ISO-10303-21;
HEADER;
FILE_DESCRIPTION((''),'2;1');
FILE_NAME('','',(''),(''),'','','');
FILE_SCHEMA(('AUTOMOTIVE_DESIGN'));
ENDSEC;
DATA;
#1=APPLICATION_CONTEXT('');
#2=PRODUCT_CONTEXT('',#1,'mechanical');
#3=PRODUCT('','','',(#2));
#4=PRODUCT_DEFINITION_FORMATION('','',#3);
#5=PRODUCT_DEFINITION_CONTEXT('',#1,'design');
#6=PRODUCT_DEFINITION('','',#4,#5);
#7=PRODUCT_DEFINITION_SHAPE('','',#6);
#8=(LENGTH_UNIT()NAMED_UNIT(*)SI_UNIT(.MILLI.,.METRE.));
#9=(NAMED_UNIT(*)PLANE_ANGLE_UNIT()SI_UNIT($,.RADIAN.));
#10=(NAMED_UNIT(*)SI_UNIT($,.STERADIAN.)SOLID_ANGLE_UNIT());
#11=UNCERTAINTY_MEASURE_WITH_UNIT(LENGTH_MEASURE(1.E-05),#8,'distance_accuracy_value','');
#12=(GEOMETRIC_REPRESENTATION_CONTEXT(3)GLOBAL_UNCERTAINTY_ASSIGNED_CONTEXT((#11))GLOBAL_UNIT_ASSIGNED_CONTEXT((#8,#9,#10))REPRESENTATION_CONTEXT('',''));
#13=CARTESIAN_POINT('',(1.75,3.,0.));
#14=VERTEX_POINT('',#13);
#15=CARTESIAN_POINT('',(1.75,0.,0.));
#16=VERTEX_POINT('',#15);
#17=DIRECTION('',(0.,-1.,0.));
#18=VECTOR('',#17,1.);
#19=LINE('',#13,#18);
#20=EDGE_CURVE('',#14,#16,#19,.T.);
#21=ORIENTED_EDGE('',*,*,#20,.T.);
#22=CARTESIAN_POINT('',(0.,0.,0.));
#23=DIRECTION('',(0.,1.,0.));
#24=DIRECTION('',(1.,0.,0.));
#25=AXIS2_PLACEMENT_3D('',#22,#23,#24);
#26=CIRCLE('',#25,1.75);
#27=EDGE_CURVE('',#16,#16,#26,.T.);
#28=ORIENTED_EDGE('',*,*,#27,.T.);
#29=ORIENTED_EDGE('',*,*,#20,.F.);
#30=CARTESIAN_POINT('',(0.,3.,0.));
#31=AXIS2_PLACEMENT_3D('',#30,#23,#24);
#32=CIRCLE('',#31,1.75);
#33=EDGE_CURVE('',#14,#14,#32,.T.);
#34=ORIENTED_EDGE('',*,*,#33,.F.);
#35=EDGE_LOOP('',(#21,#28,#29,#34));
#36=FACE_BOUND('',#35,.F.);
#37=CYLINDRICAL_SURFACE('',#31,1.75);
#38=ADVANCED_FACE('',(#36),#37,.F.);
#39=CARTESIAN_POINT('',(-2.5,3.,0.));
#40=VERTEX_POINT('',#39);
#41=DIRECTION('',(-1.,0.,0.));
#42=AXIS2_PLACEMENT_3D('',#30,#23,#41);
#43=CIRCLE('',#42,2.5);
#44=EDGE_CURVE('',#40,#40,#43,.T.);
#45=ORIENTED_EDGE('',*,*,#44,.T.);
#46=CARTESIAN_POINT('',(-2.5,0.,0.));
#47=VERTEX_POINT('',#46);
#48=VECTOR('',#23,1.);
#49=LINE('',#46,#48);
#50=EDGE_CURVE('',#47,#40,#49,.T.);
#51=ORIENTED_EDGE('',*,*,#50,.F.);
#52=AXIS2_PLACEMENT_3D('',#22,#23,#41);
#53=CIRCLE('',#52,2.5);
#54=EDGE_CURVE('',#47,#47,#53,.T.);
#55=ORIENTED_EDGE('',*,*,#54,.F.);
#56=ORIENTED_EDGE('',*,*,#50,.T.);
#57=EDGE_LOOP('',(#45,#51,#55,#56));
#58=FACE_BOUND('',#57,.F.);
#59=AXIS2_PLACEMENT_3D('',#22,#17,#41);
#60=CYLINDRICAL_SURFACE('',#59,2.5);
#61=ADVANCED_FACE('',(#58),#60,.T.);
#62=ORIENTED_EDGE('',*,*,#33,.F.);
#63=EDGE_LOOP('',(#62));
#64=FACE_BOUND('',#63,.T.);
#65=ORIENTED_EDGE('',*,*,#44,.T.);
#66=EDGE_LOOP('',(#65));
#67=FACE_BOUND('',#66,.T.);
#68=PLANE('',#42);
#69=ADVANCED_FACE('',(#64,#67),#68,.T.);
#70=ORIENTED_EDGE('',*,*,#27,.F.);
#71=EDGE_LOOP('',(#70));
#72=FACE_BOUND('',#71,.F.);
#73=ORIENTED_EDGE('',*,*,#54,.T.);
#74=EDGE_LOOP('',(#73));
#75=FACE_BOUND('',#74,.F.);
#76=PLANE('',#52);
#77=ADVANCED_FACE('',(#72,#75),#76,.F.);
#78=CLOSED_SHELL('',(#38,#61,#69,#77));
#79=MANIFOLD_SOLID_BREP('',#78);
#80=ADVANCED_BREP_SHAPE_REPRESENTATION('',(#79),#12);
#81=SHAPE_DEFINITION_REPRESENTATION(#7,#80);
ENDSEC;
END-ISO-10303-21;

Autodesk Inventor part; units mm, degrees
ref_plane "YZ Plane" through (0, 0, 0) normal (1, 0, 0) x (0, 1, 0)
ref_plane "XZ Plane" through (0, 0, 0) normal (0, 1, 0) x (-1, 0, 0)
ref_plane "XY Plane" through (0, 0, 0) normal (0, 0, 1) x (1, 0, 0)
sketch "Sketch2" plane through (0, 0, 0) normal (0, 1, 0) x (-1, 0, 0)
  circle A0 centre (0, 0) radius 2.5
  dimension "d0" = 5
extrude "Extrusion1" add sketch "Sketch2" along normal blind 3
sketch "Sketch3" plane through (0, 3, 0) normal (0, 1, 0) x (1, 0, 0)
  circle A0 centre (0, 0) radius 1.75
  dimension "d3" = 3.5
extrude "Extrusion2" cut sketch "Sketch3" against normal blind 3
properties part number "korotin"
